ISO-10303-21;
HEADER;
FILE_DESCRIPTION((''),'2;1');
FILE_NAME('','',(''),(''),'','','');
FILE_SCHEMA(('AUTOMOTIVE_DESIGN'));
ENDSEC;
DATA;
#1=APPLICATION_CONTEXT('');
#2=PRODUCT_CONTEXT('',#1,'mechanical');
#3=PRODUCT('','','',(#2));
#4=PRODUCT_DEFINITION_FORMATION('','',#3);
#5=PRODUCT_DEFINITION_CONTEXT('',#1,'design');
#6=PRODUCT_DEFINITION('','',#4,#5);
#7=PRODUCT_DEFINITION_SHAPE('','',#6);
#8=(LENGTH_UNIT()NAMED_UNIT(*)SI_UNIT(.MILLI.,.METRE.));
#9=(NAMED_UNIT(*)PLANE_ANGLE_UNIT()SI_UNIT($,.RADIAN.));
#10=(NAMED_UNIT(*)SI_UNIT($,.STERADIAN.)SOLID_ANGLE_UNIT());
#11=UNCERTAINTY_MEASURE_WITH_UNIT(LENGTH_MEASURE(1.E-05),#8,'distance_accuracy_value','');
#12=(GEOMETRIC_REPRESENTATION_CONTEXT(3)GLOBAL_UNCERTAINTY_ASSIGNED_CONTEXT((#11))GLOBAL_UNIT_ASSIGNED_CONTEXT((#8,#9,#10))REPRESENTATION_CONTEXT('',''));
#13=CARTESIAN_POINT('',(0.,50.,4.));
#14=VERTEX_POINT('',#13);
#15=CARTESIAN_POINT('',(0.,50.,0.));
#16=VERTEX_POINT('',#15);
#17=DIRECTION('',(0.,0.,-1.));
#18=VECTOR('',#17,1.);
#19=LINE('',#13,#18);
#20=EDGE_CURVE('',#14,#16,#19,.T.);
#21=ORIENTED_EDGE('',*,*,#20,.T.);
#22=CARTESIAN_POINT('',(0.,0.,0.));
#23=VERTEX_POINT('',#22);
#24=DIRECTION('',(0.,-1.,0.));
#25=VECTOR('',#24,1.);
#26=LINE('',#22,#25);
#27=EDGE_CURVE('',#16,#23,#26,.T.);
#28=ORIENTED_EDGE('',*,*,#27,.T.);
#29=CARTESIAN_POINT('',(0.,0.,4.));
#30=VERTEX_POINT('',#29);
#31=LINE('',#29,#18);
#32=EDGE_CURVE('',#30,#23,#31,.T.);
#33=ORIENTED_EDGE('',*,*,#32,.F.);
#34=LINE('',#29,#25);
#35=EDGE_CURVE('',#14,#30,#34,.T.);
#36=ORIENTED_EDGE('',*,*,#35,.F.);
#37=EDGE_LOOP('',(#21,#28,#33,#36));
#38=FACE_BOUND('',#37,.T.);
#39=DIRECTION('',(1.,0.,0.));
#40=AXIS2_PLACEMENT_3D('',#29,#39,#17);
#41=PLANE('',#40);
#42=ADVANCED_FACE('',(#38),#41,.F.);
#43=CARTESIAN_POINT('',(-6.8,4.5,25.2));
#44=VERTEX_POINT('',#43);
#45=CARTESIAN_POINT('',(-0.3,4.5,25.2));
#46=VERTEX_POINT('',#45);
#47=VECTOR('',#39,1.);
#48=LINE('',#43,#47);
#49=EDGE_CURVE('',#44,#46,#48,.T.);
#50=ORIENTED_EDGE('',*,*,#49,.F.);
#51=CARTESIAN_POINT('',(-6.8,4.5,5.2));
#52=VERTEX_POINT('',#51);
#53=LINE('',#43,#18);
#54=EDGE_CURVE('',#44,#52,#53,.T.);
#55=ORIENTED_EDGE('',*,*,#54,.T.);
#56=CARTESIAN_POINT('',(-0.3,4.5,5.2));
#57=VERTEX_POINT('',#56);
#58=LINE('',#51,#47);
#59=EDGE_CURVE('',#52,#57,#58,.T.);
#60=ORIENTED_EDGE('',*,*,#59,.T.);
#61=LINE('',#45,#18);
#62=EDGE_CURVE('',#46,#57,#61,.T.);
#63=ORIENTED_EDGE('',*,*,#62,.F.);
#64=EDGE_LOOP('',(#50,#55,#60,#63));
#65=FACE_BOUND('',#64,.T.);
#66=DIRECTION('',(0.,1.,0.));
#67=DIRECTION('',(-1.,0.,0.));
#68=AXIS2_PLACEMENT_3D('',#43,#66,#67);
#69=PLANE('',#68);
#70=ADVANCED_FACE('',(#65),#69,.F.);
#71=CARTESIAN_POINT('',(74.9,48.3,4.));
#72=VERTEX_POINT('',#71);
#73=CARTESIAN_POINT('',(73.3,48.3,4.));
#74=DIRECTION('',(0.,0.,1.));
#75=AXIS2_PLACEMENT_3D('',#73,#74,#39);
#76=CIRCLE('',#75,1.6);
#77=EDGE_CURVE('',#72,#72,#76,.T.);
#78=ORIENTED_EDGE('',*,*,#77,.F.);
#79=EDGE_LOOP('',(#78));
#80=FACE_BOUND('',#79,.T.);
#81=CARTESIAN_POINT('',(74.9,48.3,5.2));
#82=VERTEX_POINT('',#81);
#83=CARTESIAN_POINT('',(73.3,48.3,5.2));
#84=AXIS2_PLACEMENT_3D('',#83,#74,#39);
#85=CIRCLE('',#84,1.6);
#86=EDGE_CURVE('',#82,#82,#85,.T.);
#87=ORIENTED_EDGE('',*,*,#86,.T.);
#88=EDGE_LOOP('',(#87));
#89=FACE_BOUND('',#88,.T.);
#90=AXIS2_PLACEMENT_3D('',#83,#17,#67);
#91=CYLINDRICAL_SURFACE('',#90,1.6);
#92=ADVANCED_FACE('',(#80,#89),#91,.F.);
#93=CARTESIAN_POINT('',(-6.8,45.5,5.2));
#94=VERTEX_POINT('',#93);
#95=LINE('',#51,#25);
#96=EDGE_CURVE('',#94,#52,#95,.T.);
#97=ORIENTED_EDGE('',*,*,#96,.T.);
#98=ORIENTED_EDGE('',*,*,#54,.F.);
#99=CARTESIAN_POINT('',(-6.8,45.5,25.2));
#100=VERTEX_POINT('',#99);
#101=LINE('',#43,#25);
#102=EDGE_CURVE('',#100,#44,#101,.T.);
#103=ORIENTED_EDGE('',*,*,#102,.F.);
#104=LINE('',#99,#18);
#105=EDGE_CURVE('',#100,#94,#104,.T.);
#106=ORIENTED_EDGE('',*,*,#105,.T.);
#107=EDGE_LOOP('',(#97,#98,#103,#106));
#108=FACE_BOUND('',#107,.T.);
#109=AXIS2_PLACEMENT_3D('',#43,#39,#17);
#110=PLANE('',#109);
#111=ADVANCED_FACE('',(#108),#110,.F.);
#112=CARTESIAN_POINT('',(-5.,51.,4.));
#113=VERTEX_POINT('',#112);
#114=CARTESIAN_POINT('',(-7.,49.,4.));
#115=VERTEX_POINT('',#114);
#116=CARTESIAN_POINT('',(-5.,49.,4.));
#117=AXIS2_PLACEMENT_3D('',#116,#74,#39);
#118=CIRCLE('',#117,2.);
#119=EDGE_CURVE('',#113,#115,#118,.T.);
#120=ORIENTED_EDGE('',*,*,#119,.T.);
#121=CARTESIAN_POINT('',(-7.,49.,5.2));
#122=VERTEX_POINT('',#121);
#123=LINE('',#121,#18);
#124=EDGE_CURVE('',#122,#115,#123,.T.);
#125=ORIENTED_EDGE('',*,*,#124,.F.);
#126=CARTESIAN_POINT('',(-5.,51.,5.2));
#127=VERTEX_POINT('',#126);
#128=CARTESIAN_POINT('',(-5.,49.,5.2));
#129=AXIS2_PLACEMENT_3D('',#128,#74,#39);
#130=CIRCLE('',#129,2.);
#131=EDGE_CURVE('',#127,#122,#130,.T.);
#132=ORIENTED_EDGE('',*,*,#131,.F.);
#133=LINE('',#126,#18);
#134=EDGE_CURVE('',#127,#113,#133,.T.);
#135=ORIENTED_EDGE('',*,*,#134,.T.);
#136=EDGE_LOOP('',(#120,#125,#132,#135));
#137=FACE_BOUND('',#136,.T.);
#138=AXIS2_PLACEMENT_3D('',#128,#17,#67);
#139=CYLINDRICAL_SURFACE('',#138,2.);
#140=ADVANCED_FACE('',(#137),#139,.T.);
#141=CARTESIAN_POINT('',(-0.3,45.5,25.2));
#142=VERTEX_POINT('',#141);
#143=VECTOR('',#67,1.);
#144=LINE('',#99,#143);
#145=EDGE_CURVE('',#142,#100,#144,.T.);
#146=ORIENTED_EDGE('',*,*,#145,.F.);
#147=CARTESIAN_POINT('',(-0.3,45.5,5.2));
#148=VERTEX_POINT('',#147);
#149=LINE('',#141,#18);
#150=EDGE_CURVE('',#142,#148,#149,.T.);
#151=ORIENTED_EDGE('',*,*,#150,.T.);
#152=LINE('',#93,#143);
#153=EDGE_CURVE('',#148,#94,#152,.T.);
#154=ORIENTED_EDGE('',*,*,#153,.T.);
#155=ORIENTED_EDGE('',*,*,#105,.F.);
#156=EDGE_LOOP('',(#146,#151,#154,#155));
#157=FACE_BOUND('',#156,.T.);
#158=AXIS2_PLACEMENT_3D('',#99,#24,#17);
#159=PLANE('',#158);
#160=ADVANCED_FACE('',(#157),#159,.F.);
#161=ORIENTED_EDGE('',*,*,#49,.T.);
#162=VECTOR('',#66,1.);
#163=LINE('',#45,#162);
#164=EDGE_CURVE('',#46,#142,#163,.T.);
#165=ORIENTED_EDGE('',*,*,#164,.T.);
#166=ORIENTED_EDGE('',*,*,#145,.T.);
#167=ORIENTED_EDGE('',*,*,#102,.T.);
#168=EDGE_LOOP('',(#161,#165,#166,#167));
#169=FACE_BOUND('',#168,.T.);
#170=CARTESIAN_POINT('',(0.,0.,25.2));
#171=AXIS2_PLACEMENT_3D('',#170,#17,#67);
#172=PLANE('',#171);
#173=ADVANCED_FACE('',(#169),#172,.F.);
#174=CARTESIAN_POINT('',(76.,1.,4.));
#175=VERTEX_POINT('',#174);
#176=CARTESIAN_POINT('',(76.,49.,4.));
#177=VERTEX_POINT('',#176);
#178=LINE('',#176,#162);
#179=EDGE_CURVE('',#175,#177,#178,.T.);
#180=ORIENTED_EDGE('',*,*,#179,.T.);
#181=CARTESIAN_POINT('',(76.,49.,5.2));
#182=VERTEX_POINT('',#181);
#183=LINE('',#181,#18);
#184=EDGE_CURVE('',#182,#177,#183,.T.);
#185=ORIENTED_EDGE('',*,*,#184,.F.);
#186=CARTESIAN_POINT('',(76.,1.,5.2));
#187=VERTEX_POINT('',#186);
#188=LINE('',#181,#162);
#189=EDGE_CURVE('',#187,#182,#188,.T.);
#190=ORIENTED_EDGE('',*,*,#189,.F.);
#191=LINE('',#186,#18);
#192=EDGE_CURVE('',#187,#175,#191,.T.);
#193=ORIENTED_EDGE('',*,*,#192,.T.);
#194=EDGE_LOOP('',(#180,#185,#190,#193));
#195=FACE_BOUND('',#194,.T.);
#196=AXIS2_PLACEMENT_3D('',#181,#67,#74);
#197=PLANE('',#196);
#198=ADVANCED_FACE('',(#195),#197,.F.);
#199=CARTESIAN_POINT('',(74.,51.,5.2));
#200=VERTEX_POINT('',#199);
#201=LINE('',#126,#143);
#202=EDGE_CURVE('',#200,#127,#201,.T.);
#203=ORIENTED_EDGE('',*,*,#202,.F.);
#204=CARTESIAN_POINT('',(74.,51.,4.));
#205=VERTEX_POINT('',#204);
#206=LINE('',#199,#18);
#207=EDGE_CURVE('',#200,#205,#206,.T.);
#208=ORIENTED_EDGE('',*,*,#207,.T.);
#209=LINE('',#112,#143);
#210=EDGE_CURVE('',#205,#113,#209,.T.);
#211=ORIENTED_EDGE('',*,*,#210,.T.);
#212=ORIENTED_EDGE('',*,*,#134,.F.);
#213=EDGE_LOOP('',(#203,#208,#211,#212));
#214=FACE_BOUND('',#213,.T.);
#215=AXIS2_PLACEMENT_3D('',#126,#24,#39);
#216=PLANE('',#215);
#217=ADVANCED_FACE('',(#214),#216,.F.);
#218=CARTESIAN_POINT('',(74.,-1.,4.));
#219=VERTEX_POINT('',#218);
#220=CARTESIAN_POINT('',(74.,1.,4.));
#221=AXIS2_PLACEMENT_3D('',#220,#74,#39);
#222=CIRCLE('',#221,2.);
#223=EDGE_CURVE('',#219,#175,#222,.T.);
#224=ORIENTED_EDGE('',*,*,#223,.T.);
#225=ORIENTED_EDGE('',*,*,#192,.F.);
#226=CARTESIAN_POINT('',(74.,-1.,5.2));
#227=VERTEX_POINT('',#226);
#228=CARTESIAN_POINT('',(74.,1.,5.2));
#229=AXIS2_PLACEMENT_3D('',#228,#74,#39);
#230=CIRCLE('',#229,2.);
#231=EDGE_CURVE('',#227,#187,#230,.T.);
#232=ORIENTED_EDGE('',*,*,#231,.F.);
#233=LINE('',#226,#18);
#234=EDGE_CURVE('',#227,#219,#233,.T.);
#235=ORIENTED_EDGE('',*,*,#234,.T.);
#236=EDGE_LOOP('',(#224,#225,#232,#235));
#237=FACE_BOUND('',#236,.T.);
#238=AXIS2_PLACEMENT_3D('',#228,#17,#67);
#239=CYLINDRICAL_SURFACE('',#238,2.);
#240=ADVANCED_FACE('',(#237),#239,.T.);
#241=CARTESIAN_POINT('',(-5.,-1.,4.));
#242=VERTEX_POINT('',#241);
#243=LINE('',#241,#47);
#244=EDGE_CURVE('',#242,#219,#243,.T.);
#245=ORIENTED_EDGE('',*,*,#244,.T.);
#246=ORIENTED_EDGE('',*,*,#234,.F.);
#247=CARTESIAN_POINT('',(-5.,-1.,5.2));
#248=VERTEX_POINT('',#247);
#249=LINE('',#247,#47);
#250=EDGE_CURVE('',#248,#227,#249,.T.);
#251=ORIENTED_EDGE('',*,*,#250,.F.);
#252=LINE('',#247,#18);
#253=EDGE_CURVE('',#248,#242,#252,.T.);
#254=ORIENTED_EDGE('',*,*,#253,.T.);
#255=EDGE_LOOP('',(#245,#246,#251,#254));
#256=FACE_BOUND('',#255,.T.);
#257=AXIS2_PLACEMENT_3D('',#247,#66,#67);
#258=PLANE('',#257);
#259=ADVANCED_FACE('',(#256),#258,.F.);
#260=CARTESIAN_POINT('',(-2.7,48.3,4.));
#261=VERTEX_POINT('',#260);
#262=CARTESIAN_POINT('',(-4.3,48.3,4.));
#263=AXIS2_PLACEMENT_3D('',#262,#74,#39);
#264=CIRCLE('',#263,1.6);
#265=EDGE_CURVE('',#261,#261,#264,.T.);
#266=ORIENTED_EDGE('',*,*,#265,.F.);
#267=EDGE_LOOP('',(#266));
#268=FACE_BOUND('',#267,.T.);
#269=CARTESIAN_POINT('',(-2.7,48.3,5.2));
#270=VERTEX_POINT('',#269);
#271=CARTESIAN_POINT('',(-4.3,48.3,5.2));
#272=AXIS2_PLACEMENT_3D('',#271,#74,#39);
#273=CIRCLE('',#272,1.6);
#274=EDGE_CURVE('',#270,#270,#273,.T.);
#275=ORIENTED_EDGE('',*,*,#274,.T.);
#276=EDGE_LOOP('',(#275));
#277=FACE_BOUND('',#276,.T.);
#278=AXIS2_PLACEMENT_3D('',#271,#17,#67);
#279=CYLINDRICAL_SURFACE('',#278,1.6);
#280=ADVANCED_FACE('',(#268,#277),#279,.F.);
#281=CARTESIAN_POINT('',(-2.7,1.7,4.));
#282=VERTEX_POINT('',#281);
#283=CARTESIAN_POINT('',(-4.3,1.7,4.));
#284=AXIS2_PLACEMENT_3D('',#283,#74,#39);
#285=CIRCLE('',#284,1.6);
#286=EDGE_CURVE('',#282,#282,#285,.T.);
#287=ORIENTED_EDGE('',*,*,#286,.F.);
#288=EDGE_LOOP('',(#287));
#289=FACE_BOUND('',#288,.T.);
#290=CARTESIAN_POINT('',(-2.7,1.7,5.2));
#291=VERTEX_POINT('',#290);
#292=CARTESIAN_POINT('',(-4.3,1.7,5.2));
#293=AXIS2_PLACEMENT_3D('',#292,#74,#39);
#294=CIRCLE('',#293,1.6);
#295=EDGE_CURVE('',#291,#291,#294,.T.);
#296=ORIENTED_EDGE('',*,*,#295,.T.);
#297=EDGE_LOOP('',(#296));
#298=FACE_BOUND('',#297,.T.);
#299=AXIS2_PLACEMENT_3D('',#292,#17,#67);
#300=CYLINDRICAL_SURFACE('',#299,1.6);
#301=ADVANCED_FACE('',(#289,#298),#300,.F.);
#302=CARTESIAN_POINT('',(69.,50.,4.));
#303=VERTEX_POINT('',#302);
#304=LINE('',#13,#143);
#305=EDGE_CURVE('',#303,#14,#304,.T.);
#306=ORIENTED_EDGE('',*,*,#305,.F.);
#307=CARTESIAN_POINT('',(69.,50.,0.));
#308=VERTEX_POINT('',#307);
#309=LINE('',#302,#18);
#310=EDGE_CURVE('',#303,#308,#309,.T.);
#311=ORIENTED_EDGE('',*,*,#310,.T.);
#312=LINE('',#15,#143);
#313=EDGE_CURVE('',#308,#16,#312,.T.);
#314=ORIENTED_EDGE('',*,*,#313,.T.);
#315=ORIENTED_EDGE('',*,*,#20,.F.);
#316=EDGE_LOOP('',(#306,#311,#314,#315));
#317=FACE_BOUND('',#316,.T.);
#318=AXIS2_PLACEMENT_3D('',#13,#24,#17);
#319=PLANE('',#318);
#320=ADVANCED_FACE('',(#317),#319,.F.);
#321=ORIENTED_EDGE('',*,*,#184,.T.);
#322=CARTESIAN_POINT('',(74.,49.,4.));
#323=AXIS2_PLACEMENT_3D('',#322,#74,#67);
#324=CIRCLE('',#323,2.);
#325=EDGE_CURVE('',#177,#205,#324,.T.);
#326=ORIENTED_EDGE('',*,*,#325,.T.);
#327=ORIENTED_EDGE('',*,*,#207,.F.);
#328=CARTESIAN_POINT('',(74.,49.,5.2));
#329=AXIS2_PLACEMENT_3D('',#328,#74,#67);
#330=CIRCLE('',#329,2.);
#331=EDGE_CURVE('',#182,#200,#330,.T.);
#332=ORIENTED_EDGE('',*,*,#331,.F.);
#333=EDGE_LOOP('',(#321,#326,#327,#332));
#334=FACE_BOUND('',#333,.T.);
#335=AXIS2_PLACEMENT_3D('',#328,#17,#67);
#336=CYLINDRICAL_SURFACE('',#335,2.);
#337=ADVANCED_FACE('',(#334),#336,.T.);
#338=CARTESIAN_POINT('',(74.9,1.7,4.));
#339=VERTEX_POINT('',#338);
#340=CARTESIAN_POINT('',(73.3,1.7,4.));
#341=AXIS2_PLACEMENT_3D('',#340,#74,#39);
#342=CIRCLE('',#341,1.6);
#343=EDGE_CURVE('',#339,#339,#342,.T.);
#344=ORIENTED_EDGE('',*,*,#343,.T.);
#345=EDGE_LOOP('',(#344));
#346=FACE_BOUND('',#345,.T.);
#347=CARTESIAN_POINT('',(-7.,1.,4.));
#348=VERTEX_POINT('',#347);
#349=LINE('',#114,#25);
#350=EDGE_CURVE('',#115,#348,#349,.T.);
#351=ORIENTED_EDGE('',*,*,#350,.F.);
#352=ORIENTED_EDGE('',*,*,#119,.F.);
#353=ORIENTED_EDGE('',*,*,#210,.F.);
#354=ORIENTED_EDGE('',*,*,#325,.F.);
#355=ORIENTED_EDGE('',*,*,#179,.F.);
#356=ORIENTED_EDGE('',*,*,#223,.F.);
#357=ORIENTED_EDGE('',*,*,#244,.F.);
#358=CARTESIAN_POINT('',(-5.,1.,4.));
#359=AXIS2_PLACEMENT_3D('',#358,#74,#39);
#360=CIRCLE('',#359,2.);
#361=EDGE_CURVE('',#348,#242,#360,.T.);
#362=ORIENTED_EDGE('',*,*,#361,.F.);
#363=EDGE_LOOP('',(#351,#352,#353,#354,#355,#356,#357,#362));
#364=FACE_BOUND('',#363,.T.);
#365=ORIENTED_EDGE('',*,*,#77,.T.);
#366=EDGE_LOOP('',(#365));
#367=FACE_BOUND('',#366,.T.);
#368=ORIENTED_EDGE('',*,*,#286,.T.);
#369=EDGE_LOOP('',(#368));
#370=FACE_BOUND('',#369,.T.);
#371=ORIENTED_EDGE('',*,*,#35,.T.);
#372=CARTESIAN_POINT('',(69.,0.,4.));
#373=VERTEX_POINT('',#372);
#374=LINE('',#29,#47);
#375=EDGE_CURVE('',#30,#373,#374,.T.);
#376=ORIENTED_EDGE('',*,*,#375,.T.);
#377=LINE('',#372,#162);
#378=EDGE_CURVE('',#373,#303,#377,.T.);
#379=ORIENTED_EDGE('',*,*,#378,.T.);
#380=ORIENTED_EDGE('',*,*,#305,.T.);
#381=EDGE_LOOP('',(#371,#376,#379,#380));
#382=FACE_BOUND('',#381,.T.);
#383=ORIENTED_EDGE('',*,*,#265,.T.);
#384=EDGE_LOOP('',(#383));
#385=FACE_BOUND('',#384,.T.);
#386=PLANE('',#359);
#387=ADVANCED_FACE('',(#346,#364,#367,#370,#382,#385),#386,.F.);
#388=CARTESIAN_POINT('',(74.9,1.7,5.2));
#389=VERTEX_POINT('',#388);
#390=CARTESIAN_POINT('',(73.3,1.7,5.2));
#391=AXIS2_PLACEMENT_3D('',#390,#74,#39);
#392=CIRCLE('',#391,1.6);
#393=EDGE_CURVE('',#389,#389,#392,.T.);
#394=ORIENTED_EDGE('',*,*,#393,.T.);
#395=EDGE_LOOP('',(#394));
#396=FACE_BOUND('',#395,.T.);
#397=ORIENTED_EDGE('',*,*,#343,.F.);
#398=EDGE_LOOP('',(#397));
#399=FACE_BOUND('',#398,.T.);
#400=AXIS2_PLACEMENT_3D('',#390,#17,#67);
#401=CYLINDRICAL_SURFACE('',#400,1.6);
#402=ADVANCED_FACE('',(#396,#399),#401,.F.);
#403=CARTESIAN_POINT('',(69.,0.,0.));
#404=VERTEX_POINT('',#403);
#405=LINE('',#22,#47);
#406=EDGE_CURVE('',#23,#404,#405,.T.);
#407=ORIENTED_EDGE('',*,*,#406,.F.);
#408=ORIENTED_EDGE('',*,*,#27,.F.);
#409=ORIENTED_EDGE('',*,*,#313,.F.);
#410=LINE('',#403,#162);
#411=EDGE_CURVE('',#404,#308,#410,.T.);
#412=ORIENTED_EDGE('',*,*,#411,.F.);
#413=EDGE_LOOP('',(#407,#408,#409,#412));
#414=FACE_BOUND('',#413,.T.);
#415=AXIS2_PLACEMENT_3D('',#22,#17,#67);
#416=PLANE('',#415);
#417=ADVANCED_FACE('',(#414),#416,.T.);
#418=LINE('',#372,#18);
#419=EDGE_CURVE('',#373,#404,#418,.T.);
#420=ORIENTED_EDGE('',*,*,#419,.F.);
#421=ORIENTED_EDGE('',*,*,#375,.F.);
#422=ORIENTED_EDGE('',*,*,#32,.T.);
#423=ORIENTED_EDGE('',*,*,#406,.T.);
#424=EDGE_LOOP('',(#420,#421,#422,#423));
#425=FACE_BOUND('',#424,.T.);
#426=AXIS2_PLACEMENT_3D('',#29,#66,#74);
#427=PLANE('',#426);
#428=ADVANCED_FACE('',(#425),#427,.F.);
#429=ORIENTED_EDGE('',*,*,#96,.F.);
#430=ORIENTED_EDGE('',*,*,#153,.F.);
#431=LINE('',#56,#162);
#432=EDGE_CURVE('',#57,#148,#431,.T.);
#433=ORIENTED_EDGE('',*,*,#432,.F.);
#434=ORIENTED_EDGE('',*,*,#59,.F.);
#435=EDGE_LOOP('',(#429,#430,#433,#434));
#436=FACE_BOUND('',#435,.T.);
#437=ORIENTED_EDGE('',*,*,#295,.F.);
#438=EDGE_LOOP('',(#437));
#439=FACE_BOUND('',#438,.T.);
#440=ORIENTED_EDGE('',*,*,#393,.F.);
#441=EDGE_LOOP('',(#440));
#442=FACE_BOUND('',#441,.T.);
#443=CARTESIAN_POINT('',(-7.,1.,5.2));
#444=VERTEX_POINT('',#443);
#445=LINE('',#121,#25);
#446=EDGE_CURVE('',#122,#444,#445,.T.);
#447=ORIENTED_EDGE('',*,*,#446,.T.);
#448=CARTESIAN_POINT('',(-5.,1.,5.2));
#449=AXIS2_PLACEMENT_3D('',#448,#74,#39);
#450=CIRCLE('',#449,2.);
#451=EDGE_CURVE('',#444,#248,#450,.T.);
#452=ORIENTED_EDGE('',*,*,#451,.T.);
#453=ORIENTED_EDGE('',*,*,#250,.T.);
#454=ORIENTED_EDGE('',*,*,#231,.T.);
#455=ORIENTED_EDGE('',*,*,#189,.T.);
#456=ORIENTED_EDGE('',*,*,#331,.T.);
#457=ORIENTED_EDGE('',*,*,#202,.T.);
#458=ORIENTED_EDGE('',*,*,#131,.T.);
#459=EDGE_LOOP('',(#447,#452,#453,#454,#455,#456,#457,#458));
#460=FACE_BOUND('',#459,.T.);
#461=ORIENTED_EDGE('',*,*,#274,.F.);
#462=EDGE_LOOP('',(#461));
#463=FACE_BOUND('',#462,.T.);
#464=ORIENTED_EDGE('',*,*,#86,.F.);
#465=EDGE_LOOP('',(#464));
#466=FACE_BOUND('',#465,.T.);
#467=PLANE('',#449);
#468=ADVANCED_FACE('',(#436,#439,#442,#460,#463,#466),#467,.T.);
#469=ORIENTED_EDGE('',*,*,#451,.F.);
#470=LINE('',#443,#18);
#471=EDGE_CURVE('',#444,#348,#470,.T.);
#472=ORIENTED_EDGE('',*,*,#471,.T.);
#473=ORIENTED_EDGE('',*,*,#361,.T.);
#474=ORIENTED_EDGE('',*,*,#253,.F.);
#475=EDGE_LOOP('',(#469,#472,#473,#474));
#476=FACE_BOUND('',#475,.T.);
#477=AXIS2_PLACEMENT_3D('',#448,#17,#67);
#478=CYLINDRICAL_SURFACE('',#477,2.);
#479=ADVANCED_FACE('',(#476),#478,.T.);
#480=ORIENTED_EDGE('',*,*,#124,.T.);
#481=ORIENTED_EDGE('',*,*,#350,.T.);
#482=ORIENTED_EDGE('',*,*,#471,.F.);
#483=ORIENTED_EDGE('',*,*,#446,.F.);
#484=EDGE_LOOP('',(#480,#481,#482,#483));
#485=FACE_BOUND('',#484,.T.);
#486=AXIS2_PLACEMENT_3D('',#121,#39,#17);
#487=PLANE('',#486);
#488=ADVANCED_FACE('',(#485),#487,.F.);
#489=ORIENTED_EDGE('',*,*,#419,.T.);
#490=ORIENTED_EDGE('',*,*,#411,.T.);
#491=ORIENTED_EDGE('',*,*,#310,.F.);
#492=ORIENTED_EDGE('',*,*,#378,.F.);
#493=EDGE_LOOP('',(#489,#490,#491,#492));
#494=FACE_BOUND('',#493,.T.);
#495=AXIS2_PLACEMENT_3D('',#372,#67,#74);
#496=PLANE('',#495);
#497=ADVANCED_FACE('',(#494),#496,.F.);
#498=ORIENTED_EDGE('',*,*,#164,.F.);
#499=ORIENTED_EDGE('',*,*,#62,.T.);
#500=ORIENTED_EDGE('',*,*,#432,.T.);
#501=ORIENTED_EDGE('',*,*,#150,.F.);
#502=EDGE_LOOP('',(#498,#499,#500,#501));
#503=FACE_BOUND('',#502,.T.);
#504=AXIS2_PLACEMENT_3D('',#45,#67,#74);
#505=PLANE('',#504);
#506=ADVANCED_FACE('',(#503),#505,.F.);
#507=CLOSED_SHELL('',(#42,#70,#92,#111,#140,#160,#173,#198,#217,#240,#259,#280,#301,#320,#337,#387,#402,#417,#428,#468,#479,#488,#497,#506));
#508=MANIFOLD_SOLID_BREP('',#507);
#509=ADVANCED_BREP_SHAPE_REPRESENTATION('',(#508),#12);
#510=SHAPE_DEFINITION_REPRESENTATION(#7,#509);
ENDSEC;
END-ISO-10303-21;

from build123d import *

# Parameters (mm, degrees)
SKETCH_1_W      = 69
SKETCH_1_H      = 50
EXTRUDE_1_DEPTH = 4
SKETCH_2_R      = 1.6
EXTRUDE_2_DEPTH = 1.2
SKETCH_3_W      = 6.5
SKETCH_3_H      = 41
EXTRUDE_3_DEPTH = 20


with BuildPart() as part:
    # 草图1 → 凸台-拉伸1 (new body)
    with BuildSketch(Plane.XY):
        with Locations((34.5, 25)):
            Rectangle(SKETCH_1_W, SKETCH_1_H)
    extrude(amount=EXTRUDE_1_DEPTH)

    # 草图2 → 凸台-拉伸2 (add)
    with BuildSketch(Plane.XY.offset(4)):
        with BuildLine():
            Line((-5, 51), (74, 51))
            ThreePointArc((74, 51), (75.414213562, 50.414213562), (76, 49))
            Line((76, 49), (76, 1))
            ThreePointArc((76, 1), (75.414213562, -0.414213562), (74, -1))
            Line((74, -1), (-5, -1))
            ThreePointArc((-5, -1), (-6.414213562, -0.414213562), (-7, 1))
            Line((-7, 1), (-7, 49))
            ThreePointArc((-7, 49), (-6.414213562, 50.414213562), (-5, 51))
        make_face()
        with Locations((-4.3, 48.3)):
            Circle(SKETCH_2_R, mode=Mode.SUBTRACT)
        with Locations((73.3, 48.3)):
            Circle(SKETCH_2_R, mode=Mode.SUBTRACT)
        with Locations((-4.3, 1.7)):
            Circle(SKETCH_2_R, mode=Mode.SUBTRACT)
        with Locations((73.3, 1.7)):
            Circle(SKETCH_2_R, mode=Mode.SUBTRACT)
    extrude(amount=EXTRUDE_2_DEPTH)

    # 草图3 → 凸台-拉伸3 (add)
    with BuildSketch(Plane.XY.offset(5.2)):
        with Locations((-3.55, 25)):
            Rectangle(SKETCH_3_W, SKETCH_3_H)
    extrude(amount=EXTRUDE_3_DEPTH)


solid = part.part
